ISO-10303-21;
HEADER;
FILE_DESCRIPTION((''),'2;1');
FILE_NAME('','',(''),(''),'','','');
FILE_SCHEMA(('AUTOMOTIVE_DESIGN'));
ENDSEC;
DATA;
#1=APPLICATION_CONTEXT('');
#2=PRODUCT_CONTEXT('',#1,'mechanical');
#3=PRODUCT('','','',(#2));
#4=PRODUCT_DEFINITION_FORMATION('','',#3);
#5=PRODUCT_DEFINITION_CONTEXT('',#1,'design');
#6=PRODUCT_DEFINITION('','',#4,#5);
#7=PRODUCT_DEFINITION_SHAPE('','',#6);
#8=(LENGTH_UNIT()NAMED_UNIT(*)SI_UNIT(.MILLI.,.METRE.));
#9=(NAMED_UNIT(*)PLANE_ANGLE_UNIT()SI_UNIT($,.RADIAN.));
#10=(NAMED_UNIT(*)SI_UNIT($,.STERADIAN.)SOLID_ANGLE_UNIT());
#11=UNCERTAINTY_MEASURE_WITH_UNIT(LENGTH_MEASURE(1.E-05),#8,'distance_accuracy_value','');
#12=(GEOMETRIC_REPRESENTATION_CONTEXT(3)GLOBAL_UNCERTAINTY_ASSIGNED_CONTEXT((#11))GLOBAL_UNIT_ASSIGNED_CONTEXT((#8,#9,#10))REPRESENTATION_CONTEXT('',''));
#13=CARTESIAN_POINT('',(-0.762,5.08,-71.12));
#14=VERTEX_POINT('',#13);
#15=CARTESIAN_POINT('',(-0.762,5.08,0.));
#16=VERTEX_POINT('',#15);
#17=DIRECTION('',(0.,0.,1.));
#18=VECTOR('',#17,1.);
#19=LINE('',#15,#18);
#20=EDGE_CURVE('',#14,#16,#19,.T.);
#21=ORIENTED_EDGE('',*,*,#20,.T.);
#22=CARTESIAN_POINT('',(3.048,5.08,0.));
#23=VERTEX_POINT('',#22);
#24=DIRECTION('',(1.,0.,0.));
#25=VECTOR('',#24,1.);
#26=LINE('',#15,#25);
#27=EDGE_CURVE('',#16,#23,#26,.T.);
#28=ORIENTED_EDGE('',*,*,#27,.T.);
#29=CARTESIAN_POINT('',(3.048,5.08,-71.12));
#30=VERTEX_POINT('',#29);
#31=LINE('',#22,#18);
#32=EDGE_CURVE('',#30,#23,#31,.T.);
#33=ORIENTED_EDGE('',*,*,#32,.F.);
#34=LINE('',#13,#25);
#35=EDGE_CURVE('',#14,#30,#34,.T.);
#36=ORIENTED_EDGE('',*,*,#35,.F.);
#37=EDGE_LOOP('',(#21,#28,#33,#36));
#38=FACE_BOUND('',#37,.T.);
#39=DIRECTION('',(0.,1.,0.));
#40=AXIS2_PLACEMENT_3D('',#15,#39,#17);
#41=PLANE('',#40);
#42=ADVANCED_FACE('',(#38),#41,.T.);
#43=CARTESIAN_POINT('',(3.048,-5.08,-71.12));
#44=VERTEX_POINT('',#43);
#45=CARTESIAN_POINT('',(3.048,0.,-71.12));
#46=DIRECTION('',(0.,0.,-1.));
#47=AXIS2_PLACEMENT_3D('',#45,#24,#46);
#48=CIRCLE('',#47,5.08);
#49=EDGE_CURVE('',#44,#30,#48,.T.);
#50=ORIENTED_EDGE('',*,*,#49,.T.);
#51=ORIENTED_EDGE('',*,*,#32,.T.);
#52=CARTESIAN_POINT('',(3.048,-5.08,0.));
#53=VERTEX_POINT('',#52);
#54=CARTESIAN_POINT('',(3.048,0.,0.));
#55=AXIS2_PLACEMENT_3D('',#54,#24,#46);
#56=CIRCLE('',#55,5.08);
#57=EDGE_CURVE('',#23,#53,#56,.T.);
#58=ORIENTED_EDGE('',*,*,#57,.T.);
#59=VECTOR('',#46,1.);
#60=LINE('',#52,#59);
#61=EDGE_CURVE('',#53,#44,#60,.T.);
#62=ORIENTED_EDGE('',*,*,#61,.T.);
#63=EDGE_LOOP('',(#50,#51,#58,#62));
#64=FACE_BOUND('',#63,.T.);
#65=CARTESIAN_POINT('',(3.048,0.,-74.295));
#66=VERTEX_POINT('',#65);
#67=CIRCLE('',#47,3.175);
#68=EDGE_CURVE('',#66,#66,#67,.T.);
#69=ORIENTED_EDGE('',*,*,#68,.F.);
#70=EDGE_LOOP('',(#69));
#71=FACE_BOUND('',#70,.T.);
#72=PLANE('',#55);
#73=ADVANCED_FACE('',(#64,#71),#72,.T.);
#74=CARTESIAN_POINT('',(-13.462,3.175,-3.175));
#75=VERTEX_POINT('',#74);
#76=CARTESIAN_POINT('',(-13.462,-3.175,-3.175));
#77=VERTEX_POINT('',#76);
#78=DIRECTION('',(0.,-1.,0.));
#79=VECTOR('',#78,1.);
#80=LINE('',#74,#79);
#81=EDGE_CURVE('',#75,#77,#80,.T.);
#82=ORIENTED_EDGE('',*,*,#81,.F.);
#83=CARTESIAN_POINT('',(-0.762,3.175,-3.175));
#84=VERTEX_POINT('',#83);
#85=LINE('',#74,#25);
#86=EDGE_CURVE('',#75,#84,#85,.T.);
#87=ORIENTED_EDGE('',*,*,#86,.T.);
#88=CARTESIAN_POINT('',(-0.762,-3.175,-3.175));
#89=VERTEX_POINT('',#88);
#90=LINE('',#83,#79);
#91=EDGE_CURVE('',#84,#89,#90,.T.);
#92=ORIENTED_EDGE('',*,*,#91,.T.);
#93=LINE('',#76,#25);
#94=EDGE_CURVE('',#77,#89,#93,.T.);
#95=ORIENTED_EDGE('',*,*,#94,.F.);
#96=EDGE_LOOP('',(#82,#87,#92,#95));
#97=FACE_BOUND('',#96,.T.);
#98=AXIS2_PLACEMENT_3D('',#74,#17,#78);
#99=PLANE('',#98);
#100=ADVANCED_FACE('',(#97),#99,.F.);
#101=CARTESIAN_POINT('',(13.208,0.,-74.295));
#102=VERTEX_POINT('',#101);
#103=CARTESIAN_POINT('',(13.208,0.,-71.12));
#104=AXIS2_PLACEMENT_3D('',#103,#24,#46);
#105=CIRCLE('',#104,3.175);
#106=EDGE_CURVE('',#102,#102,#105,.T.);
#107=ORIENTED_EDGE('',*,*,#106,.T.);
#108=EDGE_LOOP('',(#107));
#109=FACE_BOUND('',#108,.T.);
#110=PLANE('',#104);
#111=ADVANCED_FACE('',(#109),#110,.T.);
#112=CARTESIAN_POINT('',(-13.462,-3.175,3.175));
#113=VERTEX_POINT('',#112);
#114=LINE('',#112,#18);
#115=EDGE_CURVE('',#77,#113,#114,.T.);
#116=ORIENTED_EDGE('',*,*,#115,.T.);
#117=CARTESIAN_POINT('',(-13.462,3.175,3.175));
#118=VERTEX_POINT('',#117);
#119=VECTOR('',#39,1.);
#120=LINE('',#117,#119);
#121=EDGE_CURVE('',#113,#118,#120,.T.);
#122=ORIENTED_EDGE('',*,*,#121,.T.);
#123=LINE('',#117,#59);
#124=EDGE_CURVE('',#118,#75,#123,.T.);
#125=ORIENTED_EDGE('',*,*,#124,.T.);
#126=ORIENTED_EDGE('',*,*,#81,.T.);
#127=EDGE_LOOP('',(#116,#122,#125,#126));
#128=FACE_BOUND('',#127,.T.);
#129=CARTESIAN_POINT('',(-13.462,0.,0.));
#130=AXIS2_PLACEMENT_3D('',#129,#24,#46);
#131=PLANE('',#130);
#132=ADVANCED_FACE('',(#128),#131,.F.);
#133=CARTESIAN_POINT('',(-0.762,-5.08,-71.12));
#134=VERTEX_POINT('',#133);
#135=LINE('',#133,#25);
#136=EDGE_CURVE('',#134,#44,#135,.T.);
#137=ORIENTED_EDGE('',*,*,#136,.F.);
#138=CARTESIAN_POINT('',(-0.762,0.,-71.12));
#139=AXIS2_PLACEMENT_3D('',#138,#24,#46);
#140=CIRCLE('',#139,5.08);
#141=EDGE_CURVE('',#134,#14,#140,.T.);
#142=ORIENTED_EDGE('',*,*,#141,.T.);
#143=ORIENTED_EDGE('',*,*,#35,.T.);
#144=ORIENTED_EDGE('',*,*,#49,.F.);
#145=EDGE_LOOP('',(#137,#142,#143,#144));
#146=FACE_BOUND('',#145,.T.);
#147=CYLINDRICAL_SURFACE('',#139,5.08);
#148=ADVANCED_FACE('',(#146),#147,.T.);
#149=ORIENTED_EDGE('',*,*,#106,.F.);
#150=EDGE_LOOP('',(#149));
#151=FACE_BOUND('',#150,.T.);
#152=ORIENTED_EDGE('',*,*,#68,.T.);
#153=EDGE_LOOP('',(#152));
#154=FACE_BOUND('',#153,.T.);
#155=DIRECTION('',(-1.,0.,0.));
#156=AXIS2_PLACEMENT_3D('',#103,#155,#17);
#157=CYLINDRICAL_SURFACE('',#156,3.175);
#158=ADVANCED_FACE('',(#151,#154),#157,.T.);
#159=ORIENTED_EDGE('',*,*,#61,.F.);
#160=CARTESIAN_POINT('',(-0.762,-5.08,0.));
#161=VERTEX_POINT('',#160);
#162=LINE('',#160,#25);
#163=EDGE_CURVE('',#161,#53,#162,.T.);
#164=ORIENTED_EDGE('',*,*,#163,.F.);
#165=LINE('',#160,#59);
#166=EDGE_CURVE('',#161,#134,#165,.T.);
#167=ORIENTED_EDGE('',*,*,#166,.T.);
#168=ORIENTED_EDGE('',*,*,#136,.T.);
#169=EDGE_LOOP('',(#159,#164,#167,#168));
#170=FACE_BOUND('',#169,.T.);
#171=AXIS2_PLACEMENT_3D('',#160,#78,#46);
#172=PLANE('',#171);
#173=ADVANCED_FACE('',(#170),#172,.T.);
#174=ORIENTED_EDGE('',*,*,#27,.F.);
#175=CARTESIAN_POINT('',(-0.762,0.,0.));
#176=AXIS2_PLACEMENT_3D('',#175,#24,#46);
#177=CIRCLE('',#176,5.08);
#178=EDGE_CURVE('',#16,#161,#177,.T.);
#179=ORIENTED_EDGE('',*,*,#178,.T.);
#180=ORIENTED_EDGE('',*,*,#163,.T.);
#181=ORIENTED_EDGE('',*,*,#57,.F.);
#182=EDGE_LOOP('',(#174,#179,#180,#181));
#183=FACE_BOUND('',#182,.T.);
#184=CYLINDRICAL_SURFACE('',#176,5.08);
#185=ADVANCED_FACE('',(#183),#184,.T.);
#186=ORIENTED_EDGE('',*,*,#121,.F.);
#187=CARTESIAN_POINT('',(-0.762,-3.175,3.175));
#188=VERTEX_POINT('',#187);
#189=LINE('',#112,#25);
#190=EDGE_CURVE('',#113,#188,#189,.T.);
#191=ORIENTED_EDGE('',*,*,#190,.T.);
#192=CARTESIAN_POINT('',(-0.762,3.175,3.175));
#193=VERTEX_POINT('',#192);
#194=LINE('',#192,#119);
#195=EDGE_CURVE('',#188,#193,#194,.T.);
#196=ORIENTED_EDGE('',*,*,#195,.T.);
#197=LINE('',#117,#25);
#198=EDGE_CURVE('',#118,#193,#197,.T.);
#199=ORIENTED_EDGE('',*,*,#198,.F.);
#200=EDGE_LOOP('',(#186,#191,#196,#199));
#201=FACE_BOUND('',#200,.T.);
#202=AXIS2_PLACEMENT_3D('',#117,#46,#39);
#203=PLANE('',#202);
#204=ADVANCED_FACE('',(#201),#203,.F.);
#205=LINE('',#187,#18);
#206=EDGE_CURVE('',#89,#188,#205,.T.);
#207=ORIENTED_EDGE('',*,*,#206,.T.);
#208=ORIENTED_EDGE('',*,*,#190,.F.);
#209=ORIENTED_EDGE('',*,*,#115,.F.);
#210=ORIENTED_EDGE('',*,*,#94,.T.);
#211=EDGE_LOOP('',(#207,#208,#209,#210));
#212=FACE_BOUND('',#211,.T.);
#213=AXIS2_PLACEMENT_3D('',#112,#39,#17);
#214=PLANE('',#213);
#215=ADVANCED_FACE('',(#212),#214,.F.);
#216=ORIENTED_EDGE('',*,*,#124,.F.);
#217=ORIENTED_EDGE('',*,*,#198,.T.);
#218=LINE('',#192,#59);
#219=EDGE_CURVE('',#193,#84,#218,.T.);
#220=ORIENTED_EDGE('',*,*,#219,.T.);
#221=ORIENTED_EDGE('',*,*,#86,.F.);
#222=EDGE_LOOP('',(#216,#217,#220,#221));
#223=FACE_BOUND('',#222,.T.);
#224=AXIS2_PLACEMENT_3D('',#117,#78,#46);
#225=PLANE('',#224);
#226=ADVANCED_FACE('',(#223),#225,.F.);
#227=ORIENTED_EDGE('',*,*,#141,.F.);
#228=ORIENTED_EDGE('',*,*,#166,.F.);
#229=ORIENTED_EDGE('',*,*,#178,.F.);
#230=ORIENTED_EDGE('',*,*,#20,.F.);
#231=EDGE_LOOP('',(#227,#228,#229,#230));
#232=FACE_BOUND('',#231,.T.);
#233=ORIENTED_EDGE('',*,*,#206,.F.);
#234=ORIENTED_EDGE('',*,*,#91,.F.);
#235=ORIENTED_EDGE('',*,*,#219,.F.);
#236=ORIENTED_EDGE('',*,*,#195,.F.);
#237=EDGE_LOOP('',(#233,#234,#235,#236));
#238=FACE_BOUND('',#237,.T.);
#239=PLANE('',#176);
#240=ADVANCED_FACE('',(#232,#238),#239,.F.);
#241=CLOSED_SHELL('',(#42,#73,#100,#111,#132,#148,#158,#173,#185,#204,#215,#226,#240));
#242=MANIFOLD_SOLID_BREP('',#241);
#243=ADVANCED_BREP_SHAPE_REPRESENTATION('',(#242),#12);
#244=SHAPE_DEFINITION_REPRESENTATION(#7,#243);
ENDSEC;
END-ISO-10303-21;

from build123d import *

# Parameters (mm, degrees)
SKETCH1_R           = 3.81
BOSS_EXTRUDE1_DEPTH = 3.048
BOSS_EXTRUDE5_DEPTH = 3.81
SKETCH5_R           = 3.175
BOSS_EXTRUDE6_DEPTH = 10.16
SKETCH6_W           = 6.35
SKETCH6_H           = 6.35
BOSS_EXTRUDE7_DEPTH = 12.7


with BuildPart() as part:
    # Sketch1 → Boss-Extrude1 (new body)
    with BuildSketch(Plane(origin=(0, 0, 0), x_dir=(0, 0, -1), z_dir=(1, 0, 0))):
        Circle(SKETCH1_R)
    extrude(amount=BOSS_EXTRUDE1_DEPTH)

    # Sketch4 → Boss-Extrude5 (add)
    with BuildSketch(Plane(origin=(3.048, 0, 0), x_dir=(0, 0, -1), z_dir=(1, 0, 0))):
        with BuildLine():
            Line((0, 5.08), (71.12, 5.08))
            ThreePointArc((71.12, 5.08), (76.2, 0), (71.12, -5.08))
            Line((71.12, -5.08), (0, -5.08))
            ThreePointArc((0, -5.08), (-5.08, 0), (0, 5.08))
        make_face()
    extrude(amount=-BOSS_EXTRUDE5_DEPTH)

    # Sketch5 → Boss-Extrude6 (add)
    with BuildSketch(Plane(origin=(3.048, 0, 0), x_dir=(0, 0, -1), z_dir=(1, 0, 0))):
        with Locations((71.12, 0)):
            Circle(SKETCH5_R)
    extrude(amount=BOSS_EXTRUDE6_DEPTH)

    # Sketch6 → Boss-Extrude7 (add)
    with BuildSketch(Plane.ZY.offset(0.762)):
        Rectangle(SKETCH6_W, SKETCH6_H)
    extrude(amount=BOSS_EXTRUDE7_DEPTH)


solid = part.part
